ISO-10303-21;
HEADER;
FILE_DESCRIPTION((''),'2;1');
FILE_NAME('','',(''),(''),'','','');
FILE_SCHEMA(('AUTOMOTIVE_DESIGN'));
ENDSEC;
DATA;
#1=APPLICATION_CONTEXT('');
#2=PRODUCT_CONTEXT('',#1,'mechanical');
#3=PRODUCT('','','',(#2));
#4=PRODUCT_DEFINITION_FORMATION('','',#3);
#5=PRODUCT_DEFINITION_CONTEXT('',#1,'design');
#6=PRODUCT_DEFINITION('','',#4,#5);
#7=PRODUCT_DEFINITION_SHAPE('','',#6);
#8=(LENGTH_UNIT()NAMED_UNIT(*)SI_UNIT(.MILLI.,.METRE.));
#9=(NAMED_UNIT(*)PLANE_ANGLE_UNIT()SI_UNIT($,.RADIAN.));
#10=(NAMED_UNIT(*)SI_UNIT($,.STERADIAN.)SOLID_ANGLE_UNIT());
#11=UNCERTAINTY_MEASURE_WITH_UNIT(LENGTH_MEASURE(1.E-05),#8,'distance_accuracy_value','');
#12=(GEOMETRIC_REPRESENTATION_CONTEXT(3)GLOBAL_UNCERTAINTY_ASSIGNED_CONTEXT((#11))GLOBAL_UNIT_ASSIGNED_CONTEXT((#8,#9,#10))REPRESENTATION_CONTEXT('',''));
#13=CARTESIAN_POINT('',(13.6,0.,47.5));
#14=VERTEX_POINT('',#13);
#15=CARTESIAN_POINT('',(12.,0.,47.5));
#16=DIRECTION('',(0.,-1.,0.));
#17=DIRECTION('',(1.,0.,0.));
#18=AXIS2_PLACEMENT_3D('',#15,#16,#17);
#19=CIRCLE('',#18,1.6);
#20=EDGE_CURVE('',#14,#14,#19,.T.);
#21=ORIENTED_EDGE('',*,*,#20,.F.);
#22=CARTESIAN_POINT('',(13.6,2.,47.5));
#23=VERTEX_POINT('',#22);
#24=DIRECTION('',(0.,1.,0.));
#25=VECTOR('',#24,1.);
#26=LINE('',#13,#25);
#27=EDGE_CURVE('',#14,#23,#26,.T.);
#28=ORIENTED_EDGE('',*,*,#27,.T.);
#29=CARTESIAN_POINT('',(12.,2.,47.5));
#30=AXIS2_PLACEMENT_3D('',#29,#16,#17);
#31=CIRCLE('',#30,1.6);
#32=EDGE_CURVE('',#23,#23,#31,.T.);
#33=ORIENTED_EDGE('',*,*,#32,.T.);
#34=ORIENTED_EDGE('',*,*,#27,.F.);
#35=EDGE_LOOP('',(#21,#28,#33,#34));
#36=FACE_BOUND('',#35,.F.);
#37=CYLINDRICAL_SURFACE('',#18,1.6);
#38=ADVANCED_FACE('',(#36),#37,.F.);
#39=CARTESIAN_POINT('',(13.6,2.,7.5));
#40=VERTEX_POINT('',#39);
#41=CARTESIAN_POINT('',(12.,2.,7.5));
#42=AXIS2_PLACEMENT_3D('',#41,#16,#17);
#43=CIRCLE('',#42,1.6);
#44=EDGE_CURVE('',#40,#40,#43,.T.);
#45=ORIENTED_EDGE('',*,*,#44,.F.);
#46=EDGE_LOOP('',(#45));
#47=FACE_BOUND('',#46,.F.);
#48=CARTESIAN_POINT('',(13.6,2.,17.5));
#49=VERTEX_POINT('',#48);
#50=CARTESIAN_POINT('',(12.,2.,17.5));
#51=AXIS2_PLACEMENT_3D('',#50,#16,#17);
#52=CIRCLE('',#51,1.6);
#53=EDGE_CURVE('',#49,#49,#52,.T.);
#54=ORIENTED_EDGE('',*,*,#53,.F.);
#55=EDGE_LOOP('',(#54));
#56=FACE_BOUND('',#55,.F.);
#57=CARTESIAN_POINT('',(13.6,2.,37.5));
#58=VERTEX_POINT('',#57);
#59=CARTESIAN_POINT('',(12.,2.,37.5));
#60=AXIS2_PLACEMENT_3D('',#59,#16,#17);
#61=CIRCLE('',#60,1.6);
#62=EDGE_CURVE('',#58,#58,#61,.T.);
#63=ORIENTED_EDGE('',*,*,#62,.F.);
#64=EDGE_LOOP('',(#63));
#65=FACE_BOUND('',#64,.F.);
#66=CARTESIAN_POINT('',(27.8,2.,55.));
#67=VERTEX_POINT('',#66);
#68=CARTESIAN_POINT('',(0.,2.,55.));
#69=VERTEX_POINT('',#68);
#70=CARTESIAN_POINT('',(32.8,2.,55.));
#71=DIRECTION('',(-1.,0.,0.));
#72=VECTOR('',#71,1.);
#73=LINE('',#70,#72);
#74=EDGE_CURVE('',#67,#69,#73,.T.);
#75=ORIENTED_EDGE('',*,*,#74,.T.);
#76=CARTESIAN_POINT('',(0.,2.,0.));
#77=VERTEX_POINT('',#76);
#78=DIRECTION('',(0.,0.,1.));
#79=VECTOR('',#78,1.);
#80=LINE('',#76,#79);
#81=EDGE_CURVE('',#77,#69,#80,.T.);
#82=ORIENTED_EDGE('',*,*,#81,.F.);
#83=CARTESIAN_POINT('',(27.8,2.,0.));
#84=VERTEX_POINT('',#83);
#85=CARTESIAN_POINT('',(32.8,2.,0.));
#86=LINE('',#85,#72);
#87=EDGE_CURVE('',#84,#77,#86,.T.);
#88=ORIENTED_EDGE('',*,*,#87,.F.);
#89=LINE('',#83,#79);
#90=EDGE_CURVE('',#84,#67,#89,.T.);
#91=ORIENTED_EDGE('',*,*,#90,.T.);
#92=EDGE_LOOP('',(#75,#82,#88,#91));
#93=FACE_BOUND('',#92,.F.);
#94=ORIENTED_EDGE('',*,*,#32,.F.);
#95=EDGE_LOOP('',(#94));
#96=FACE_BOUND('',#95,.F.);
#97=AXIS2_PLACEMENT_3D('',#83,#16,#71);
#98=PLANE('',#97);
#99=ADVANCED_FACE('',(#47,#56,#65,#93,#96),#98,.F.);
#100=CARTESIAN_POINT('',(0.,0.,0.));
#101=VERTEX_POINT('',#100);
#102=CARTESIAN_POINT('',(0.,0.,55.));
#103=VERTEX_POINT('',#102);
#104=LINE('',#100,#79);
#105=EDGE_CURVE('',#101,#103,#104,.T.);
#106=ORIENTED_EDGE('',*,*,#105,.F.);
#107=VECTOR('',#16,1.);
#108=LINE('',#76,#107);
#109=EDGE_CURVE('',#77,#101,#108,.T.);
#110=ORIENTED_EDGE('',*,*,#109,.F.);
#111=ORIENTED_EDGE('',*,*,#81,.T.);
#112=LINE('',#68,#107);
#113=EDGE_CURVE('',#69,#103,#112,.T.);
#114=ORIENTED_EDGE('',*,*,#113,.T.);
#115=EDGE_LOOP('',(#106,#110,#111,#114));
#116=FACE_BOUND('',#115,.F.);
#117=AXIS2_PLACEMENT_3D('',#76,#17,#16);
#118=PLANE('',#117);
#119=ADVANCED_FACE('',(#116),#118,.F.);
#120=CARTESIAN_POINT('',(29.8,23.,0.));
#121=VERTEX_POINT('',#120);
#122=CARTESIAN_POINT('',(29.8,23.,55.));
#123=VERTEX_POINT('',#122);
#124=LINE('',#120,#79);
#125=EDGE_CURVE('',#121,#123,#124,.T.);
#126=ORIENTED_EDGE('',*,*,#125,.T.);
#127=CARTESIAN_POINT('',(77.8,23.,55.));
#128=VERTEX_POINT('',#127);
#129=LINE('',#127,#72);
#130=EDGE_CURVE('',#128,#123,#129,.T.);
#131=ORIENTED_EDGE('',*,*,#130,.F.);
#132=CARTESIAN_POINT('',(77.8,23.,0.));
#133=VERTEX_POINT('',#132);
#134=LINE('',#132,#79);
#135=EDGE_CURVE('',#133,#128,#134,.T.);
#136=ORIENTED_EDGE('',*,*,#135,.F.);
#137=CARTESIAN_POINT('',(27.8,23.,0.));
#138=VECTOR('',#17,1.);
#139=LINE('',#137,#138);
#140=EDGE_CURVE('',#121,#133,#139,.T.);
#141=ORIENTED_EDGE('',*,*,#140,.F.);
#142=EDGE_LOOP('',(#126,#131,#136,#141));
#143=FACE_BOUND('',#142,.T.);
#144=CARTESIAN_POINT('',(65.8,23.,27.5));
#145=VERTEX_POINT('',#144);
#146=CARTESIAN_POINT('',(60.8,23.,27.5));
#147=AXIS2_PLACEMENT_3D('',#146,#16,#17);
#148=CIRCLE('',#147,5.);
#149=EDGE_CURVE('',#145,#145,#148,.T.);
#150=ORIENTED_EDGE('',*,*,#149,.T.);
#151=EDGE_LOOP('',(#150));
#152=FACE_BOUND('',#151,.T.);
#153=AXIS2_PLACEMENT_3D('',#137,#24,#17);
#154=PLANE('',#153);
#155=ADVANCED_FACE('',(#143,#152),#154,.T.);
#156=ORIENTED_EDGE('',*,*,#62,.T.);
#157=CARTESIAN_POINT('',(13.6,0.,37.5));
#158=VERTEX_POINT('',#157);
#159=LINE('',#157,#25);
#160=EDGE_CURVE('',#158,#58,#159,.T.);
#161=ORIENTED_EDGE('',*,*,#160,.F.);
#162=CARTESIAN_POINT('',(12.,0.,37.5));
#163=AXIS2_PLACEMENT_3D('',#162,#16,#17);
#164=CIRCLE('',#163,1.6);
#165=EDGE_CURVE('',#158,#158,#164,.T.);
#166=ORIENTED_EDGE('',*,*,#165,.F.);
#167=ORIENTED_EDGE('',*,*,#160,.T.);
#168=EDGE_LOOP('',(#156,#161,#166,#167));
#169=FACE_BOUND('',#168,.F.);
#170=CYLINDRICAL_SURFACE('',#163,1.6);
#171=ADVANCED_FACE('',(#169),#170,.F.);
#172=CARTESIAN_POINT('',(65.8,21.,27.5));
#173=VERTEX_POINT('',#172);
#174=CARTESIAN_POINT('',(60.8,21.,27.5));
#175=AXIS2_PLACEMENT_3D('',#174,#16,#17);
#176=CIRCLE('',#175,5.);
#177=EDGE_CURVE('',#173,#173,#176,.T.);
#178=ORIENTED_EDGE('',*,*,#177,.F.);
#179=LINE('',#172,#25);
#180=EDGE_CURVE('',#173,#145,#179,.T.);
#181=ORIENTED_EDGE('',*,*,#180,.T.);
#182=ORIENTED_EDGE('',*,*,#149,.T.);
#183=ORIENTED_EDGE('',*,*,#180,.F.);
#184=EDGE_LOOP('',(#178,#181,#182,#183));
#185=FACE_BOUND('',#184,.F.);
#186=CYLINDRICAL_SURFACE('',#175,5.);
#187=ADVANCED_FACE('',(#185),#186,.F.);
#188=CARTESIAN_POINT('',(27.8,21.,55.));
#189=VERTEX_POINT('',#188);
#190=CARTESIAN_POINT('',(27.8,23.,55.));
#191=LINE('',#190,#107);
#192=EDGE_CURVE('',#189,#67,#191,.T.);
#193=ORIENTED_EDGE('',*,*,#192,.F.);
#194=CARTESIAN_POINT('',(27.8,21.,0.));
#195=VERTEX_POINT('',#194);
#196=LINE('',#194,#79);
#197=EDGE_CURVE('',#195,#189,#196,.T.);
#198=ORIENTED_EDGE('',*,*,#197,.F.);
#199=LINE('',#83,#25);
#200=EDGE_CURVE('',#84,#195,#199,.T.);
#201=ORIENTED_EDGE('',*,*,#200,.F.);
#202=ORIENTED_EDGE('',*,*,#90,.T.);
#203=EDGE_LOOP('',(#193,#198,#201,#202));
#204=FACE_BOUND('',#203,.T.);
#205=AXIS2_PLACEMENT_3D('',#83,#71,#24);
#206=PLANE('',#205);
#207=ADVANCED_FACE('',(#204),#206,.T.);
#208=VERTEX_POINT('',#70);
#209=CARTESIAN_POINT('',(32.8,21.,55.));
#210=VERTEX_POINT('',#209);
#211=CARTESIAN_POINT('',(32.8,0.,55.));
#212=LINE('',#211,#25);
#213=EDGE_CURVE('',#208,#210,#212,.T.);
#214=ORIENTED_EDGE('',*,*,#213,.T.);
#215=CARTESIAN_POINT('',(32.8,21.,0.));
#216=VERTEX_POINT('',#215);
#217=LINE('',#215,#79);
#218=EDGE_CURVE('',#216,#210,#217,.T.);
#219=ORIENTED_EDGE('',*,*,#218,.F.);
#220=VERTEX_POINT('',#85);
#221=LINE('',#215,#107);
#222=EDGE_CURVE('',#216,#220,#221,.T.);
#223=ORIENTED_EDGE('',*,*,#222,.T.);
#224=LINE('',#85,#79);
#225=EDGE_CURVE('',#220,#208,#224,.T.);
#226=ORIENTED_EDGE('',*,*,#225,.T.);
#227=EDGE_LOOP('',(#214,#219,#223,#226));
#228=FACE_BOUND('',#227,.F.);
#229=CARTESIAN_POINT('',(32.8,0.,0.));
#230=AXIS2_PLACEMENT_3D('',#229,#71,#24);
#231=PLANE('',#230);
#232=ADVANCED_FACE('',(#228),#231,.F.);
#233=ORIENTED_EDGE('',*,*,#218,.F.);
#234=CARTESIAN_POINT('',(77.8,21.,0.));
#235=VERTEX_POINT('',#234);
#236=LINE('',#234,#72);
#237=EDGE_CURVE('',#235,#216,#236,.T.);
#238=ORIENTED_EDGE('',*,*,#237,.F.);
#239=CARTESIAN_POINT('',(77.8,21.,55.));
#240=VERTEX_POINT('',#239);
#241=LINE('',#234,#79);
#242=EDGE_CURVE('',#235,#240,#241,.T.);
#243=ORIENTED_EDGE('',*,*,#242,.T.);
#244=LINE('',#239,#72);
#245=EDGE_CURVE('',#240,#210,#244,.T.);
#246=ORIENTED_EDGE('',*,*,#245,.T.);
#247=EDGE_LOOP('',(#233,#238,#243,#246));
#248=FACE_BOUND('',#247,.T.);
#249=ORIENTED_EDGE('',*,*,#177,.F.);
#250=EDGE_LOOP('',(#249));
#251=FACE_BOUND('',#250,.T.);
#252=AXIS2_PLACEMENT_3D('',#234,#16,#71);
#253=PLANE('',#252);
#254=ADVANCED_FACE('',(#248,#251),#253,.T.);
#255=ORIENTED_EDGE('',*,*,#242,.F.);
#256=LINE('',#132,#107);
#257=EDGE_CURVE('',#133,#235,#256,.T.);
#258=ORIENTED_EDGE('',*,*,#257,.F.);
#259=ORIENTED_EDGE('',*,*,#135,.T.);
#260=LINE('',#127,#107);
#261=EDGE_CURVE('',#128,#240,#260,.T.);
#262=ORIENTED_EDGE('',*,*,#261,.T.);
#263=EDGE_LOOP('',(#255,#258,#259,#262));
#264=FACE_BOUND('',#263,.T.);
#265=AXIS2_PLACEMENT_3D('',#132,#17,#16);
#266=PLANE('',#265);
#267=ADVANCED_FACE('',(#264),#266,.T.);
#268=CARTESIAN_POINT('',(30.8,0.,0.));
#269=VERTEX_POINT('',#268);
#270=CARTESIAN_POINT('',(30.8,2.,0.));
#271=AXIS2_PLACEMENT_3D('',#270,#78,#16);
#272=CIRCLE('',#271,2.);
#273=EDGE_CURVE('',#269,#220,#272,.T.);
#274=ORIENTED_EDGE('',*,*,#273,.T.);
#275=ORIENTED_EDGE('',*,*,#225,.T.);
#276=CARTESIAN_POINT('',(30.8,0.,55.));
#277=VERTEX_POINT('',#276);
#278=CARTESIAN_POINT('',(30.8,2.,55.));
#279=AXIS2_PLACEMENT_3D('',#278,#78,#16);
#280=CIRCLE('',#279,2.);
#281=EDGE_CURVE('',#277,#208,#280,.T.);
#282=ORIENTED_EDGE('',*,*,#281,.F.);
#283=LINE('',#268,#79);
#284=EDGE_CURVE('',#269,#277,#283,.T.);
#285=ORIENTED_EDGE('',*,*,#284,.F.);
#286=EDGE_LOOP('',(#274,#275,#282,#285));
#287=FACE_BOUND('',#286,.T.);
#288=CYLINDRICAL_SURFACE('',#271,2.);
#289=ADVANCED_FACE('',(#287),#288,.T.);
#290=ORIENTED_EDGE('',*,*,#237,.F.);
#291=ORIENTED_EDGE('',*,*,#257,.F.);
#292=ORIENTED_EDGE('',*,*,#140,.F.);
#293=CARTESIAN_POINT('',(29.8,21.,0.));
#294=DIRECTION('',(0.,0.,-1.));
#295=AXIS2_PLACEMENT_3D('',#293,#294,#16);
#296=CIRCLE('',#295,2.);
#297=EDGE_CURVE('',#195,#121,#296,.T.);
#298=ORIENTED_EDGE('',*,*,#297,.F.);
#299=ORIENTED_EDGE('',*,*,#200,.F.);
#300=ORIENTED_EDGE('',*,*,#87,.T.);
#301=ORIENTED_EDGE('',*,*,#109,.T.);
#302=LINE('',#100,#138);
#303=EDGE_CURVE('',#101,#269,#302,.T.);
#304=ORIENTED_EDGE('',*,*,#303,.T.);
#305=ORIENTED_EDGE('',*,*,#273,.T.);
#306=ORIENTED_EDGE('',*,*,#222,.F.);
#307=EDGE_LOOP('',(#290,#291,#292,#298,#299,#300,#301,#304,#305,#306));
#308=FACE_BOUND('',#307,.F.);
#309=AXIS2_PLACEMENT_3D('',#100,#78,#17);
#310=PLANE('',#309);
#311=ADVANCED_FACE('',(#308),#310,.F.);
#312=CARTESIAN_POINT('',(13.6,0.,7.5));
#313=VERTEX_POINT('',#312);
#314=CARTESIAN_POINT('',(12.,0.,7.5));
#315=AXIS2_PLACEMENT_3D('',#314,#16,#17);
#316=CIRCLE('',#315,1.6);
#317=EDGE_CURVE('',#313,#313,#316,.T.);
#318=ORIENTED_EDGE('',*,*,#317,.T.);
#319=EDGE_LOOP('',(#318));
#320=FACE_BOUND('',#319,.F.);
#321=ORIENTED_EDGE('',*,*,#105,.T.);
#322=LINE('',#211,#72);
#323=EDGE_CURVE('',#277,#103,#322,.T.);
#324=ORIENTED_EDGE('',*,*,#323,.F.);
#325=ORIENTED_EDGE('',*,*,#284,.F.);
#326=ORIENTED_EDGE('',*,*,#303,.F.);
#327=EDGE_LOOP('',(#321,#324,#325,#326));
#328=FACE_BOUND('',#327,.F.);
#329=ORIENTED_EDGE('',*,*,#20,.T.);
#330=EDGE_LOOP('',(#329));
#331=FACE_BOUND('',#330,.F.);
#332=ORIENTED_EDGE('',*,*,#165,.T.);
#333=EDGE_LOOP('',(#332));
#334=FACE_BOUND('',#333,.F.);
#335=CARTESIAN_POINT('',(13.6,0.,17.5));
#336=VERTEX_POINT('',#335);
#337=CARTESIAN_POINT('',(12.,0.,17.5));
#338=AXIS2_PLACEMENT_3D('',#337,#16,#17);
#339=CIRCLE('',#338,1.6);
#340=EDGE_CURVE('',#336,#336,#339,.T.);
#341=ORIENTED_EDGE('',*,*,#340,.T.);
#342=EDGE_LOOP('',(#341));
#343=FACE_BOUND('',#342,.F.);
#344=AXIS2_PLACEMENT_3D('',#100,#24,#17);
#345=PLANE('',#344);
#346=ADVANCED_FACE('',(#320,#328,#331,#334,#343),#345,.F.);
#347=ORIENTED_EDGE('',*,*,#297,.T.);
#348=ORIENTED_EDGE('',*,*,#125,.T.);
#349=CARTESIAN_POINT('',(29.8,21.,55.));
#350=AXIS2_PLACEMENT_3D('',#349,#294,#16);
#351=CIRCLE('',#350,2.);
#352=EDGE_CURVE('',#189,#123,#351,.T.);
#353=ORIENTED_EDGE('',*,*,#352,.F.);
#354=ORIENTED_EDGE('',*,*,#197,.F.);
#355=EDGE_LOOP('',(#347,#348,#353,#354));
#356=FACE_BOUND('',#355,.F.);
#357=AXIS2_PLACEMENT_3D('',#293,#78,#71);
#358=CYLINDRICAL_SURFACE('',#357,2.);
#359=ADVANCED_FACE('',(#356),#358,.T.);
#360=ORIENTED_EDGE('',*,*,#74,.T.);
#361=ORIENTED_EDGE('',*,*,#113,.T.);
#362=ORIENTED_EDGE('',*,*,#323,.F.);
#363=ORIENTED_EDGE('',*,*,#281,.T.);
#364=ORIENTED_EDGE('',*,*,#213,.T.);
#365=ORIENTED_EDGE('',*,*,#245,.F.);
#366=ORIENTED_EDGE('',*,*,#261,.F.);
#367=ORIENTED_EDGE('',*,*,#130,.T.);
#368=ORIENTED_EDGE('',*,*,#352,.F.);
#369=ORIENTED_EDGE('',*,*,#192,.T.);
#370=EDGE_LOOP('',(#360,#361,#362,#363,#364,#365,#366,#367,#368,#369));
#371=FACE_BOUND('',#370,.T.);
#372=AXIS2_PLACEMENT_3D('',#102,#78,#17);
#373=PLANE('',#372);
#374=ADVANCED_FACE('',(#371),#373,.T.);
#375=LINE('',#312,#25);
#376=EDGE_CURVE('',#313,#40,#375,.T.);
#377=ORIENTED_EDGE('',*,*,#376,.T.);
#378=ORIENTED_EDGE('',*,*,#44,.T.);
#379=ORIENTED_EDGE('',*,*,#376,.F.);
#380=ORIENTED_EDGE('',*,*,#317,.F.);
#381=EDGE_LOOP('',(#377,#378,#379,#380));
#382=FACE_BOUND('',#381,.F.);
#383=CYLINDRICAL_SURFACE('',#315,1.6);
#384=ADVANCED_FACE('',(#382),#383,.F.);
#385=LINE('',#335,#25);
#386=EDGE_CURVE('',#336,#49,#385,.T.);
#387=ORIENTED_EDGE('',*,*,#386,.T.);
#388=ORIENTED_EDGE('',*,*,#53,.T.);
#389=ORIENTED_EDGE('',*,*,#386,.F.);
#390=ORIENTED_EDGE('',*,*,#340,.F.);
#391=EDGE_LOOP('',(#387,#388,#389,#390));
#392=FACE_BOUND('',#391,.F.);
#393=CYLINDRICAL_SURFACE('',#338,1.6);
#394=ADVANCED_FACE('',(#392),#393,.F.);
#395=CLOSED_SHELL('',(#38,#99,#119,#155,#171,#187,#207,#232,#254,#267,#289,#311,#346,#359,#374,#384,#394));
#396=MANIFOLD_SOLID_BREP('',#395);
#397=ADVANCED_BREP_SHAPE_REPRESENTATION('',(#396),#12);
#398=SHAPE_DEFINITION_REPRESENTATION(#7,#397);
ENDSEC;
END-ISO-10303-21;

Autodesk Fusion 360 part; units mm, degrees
sketch "Sketch1" plane through (0, 0, 0) normal (0, 0, 1) x (1, 0, 0)
  line L0 (0, 0) -> (32.8, 0)
  line L1 (32.8, 0) -> (32.8, 2)
  line L2 (32.8, 2) -> (0, 2)
  line L3 (0, 2) -> (0, 0)
  line L4 (32.8, 0) -> (27.8, 0)
  line L5 (27.8, 0) -> (27.8, 23)
  line L6 (27.8, 23) -> (32.8, 23)
  line L7 (32.8, 23) -> (32.8, 0)
  line L8 (27.8, 23) -> (77.8, 23)
  line L9 (77.8, 23) -> (77.8, 21)
  line L10 (77.8, 21) -> (27.8, 21)
  line L11 (27.8, 21) -> (27.8, 23)
  dimension "d1" = 32.8
  dimension "d2" = 2
  dimension "d3" = 5
  dimension "d4" = 23
  dimension "d5" = 50
  dimension "d6" = 2
extrude "Extrude1" add sketch "Sketch1" along normal blind 55
sketch "Sketch2" plane through (0, 0, 0) normal (0, -1, 0) x (1, 0, 0)
  line L0 (0, 0) -> (32.8, 0)
  line L1 (32.8, 0) -> (32.8, 55)
  line L2 (32.8, 55) -> (0, 55)
  line L3 (0, 55) -> (0, 0)
  line L4 (12, 55) -> (12, 0) construction
  line L5 (0, 27.5) -> (32.8, 27.5) construction
  circle A0 centre (12, 47.5) radius 1.6
  circle A1 centre (12, 37.5) radius 1.6
  circle A2 centre (12, 17.5) radius 1.6
  circle A3 centre (12, 7.5) radius 1.6
  dimension "d10" = 3.2
  dimension "d11" = 3.2
  dimension "d12" = 3.2
  dimension "d13" = 3.2
  dimension "d14" = 10
  dimension "d15" = 10
  dimension "d17" = 10
  dimension "d19" = 10
  dimension "d30" = 12
extrude "Extrude2" cut sketch "Sketch2" against normal blind 25 contours A0 | A1 | A2 | A3
fillet "Fillet1" radius 2 1 edges at (32.8, 0, 27.5)
fillet "Fillet2" radius 2 1 edges at (27.8, 23, 27.5)
sketch "Sketch3" plane through (0, 21, 0) normal (0, -1, 0) x (1, 0, 0)
  line L0 (32.8, 0) -> (77.8, 0)
  line L1 (77.8, 0) -> (77.8, 55)
  line L2 (77.8, 55) -> (32.8, 55)
  line L3 (32.8, 55) -> (32.8, 0)
  line L4 (60.8, 55) -> (60.8, 0) construction
  line L5 (77.8, 27.5) -> (32.8, 27.5) construction
  circle A0 centre (60.8, 27.5) radius 5
  dimension "d26" = 28
  dimension "d27" = 10
extrude "Extrude3" cut sketch "Sketch3" against normal blind 15 contours A0
equation "bodyScrew = 3.2 mm"
equation "d10 = bodyScrew"
equation "d11 = bodyScrew"
equation "d12 = bodyScrew"
equation "d13 = bodyScrew"
